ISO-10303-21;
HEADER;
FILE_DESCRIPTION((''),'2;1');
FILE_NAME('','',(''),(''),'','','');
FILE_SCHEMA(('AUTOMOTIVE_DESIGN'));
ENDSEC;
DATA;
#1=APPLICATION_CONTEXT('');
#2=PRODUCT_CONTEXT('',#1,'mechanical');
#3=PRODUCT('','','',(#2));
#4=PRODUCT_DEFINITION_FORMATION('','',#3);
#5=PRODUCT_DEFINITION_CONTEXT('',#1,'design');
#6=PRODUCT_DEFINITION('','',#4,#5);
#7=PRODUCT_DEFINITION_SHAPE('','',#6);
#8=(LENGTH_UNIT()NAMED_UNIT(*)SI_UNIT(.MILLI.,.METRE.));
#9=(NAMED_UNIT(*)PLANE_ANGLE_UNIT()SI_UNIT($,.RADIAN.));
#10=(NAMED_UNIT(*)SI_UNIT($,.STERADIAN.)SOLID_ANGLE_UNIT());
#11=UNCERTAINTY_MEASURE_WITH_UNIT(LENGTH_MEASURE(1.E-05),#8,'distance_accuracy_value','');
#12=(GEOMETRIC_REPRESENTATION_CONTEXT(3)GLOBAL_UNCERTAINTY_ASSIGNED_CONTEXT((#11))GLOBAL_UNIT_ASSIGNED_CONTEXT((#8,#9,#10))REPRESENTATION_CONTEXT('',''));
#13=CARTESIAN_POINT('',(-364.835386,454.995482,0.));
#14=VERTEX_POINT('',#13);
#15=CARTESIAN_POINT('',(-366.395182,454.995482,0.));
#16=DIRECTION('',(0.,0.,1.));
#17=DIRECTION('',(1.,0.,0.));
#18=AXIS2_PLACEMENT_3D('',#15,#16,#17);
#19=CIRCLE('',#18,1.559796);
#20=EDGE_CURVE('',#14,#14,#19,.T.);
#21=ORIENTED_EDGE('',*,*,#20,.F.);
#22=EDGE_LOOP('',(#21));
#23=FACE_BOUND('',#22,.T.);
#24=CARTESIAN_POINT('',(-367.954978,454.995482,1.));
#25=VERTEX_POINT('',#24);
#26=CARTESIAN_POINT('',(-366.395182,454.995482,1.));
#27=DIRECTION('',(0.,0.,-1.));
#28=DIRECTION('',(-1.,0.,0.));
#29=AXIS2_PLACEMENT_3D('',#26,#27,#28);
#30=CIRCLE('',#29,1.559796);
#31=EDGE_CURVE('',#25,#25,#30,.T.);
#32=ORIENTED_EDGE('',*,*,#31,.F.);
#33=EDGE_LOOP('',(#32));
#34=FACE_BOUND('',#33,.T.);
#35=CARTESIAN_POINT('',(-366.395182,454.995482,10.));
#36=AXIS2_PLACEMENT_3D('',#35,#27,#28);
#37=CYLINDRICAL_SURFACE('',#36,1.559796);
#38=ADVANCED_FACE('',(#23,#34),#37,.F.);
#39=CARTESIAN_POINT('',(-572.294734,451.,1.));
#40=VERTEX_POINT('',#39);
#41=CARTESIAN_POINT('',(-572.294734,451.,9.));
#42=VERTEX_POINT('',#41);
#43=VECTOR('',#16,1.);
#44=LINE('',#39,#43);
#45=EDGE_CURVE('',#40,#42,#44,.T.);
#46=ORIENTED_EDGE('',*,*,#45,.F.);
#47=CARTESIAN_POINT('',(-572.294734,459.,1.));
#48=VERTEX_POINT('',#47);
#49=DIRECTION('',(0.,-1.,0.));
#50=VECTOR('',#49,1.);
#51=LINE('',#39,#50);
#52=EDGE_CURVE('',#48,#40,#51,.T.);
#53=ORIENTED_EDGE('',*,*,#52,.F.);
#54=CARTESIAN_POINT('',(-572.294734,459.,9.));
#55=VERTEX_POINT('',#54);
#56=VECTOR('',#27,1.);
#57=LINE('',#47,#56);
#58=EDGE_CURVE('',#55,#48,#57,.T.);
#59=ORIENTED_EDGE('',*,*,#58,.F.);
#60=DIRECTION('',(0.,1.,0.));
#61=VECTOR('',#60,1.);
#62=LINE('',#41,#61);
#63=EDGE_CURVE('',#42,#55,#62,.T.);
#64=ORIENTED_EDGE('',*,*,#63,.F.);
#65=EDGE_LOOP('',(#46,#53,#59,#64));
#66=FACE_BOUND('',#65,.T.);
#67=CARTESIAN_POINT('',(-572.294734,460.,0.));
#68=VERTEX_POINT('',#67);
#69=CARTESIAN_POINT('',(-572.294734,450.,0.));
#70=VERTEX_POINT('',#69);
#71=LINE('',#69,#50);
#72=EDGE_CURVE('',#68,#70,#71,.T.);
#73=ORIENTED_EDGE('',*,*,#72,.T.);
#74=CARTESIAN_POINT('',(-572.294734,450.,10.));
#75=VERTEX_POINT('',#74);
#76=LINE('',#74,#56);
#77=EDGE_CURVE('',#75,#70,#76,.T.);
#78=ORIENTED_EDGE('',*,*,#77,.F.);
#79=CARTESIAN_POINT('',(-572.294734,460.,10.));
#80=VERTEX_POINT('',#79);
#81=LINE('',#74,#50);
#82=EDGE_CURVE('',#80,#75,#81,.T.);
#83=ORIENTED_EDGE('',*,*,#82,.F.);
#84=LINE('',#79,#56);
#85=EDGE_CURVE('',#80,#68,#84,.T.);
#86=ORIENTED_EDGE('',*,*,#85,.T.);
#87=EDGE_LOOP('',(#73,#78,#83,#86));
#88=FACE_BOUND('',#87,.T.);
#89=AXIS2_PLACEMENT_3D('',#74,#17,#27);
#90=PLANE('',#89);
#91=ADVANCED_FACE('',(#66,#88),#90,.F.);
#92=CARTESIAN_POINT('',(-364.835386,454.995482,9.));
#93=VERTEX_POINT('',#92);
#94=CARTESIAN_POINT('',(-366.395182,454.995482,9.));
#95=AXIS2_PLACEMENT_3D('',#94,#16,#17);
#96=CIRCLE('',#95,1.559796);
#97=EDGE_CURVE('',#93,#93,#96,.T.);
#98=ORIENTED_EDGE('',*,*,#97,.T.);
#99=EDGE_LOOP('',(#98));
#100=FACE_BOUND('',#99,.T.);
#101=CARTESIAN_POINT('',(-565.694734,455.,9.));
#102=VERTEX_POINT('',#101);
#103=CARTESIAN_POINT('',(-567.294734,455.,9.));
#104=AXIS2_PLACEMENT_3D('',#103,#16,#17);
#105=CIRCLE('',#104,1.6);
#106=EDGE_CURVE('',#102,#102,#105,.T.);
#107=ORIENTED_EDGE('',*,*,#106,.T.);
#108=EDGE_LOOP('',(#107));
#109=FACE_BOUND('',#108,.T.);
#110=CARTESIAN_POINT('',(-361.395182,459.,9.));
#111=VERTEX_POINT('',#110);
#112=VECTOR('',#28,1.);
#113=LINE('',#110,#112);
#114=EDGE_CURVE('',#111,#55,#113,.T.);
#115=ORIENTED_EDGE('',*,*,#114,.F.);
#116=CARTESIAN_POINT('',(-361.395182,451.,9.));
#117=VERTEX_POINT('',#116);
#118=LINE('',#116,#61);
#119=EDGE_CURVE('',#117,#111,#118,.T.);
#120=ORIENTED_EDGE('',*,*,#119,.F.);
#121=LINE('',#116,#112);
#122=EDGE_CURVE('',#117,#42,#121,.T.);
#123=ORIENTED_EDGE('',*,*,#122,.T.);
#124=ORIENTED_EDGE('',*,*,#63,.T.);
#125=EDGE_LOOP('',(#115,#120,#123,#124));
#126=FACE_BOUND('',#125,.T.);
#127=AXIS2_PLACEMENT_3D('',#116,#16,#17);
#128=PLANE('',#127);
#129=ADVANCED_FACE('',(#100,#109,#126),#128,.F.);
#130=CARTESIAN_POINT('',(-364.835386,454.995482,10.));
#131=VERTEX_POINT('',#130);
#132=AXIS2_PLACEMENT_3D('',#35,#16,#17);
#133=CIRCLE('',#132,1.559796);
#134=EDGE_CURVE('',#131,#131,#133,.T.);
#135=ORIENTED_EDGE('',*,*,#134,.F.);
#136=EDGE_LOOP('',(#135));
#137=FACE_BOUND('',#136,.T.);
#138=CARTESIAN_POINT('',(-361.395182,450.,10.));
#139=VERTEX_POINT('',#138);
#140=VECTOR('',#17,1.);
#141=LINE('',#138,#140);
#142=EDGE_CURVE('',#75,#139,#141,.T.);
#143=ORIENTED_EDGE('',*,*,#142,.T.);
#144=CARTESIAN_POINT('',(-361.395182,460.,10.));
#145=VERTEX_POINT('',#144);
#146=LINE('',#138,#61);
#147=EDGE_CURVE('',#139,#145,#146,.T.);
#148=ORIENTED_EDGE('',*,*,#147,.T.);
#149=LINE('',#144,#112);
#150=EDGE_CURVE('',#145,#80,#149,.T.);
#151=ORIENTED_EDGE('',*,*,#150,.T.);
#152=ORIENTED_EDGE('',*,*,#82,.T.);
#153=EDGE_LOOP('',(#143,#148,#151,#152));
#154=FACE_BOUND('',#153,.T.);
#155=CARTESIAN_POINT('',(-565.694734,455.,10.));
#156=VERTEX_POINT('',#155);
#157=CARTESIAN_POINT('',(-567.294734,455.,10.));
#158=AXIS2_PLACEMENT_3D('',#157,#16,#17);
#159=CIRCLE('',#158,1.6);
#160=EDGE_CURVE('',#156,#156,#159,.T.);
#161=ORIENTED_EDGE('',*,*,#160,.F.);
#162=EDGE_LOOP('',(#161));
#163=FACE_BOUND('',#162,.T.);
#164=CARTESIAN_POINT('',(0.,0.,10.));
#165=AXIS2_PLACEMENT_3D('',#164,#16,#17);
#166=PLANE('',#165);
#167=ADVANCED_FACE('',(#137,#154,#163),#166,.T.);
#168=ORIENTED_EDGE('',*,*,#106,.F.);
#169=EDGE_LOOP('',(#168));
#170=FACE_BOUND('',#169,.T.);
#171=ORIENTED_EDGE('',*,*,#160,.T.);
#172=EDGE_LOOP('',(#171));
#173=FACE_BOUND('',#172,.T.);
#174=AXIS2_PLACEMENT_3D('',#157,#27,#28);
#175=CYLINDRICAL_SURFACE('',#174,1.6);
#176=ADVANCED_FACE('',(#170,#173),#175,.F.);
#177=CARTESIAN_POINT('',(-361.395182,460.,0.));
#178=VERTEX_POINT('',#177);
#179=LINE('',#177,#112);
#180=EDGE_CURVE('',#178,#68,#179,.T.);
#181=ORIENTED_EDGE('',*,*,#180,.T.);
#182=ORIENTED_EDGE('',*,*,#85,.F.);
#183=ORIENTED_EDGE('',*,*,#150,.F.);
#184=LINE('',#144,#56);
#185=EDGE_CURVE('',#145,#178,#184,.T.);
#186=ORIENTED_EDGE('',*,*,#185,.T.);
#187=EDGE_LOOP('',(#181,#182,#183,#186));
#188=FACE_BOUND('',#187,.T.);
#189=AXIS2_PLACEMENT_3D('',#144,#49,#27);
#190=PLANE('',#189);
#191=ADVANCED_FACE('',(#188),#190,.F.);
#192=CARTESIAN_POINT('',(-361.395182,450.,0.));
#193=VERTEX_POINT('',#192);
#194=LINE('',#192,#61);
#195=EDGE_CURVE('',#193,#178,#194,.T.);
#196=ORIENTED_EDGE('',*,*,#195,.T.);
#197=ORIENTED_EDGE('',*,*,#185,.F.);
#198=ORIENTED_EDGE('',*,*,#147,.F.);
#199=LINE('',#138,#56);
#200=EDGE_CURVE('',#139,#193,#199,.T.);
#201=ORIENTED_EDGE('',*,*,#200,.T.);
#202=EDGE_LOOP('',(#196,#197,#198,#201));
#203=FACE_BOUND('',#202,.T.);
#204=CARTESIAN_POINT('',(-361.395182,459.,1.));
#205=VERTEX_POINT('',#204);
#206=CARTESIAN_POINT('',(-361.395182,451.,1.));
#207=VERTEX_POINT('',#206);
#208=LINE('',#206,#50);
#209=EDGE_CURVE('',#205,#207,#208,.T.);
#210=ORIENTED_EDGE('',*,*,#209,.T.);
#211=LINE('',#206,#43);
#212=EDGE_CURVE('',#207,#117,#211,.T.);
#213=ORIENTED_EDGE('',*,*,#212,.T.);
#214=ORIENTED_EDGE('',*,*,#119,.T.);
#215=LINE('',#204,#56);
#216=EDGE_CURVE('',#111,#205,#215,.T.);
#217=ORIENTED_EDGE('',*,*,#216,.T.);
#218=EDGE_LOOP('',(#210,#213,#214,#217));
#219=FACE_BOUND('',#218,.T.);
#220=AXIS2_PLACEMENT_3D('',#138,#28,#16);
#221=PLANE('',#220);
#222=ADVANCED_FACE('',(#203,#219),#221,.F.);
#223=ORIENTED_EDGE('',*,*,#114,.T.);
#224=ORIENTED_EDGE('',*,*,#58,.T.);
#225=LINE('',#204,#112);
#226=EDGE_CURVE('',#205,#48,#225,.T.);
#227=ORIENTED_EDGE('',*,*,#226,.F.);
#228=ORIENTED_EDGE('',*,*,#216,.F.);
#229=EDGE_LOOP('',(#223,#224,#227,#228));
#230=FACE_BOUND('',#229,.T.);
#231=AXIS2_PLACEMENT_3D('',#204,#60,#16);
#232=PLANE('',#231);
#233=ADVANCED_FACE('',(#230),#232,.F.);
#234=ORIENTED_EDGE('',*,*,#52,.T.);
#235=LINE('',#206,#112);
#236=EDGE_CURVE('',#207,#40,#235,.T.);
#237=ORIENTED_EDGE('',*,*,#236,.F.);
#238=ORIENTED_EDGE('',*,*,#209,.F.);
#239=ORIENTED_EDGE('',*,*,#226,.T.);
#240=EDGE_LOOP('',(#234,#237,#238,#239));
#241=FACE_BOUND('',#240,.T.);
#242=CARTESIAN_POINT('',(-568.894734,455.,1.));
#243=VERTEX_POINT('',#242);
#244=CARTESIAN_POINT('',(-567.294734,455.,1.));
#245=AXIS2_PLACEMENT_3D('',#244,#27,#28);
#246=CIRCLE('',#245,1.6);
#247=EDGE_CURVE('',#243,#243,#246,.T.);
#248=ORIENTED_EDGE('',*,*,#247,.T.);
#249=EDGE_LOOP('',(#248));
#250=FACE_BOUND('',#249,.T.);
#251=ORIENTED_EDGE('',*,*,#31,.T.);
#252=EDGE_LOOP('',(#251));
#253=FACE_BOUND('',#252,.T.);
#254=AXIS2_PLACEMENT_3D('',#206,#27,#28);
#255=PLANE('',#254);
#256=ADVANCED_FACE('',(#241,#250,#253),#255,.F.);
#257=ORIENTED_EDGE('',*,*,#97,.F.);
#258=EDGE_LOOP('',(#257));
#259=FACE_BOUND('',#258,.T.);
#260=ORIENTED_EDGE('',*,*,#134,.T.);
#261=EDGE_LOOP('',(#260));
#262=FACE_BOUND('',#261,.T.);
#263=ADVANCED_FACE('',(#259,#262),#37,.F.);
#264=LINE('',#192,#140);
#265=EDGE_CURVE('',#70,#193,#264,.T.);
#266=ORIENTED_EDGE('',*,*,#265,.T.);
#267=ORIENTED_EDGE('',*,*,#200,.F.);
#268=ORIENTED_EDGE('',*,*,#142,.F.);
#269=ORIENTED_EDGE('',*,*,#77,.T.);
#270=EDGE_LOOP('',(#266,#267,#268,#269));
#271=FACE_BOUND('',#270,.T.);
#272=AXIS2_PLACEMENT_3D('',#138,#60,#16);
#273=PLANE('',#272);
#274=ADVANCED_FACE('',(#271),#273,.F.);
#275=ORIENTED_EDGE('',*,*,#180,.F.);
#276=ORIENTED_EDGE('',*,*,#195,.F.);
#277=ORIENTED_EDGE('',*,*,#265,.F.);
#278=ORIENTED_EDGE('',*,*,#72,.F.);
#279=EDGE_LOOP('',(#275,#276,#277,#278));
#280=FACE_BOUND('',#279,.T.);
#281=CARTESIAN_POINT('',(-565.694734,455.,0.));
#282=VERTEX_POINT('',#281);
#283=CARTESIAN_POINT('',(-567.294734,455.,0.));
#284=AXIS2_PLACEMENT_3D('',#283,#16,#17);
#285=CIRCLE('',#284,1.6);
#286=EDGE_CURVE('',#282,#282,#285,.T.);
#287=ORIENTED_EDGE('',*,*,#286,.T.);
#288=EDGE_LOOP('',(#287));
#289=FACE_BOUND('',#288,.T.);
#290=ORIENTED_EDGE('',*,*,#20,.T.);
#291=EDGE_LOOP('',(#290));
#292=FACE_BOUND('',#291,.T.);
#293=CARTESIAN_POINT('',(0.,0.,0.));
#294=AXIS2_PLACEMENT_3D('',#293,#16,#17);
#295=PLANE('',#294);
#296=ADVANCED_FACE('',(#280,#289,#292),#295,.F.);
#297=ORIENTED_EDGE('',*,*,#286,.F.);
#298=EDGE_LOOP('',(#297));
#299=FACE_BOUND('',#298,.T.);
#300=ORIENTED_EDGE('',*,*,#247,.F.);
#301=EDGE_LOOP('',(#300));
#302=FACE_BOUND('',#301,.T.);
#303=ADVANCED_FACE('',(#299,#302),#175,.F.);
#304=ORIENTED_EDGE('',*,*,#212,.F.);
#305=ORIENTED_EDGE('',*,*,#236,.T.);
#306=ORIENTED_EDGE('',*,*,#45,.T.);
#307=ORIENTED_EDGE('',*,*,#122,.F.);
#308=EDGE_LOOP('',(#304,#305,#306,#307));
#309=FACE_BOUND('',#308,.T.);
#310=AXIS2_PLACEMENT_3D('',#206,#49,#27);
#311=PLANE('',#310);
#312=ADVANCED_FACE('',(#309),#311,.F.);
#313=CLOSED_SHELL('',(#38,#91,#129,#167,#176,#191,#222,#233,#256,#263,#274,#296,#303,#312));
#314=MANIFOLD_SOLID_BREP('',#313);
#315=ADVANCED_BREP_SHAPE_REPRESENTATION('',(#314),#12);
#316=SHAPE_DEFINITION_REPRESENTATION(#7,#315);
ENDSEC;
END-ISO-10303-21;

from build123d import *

# Parameters (mm, degrees)
SKETCH_1_W          = 210.89955229
SKETCH_1_H          = 10
SKETCH_1_R          = 1.6
SKETCH_1_R_2        = 1.559795767
EXTRUDE_1_DEPTH     = 10
SKETCH_2_W          = 8
SKETCH_2_H          = 8
CUT_EXTRUDE_1_DEPTH = 507.140910376


with BuildPart() as part:
    # ｽｹｯﾁ1 → ﾎﾞｽ - 押し出し1 (new body)
    with BuildSketch(Plane.XY):
        with Locations((-466.84495805, 455)):
            Rectangle(SKETCH_1_W, SKETCH_1_H)
        with Locations((-567.294734195, 455)):
            Circle(SKETCH_1_R, mode=Mode.SUBTRACT)
        with Locations((-366.395181905, 454.995481815)):
            Circle(SKETCH_1_R_2, mode=Mode.SUBTRACT)
    extrude(amount=EXTRUDE_1_DEPTH)

    # ｽｹｯﾁ2 → ｶｯﾄ - 押し出し1 (cut, through all)
    with BuildSketch(Plane.ZY.offset(572.294734195)):
        with Locations((5, 455)):
            Rectangle(SKETCH_2_W, SKETCH_2_H)
    extrude(amount=-CUT_EXTRUDE_1_DEPTH, mode=Mode.SUBTRACT)


solid = part.part
